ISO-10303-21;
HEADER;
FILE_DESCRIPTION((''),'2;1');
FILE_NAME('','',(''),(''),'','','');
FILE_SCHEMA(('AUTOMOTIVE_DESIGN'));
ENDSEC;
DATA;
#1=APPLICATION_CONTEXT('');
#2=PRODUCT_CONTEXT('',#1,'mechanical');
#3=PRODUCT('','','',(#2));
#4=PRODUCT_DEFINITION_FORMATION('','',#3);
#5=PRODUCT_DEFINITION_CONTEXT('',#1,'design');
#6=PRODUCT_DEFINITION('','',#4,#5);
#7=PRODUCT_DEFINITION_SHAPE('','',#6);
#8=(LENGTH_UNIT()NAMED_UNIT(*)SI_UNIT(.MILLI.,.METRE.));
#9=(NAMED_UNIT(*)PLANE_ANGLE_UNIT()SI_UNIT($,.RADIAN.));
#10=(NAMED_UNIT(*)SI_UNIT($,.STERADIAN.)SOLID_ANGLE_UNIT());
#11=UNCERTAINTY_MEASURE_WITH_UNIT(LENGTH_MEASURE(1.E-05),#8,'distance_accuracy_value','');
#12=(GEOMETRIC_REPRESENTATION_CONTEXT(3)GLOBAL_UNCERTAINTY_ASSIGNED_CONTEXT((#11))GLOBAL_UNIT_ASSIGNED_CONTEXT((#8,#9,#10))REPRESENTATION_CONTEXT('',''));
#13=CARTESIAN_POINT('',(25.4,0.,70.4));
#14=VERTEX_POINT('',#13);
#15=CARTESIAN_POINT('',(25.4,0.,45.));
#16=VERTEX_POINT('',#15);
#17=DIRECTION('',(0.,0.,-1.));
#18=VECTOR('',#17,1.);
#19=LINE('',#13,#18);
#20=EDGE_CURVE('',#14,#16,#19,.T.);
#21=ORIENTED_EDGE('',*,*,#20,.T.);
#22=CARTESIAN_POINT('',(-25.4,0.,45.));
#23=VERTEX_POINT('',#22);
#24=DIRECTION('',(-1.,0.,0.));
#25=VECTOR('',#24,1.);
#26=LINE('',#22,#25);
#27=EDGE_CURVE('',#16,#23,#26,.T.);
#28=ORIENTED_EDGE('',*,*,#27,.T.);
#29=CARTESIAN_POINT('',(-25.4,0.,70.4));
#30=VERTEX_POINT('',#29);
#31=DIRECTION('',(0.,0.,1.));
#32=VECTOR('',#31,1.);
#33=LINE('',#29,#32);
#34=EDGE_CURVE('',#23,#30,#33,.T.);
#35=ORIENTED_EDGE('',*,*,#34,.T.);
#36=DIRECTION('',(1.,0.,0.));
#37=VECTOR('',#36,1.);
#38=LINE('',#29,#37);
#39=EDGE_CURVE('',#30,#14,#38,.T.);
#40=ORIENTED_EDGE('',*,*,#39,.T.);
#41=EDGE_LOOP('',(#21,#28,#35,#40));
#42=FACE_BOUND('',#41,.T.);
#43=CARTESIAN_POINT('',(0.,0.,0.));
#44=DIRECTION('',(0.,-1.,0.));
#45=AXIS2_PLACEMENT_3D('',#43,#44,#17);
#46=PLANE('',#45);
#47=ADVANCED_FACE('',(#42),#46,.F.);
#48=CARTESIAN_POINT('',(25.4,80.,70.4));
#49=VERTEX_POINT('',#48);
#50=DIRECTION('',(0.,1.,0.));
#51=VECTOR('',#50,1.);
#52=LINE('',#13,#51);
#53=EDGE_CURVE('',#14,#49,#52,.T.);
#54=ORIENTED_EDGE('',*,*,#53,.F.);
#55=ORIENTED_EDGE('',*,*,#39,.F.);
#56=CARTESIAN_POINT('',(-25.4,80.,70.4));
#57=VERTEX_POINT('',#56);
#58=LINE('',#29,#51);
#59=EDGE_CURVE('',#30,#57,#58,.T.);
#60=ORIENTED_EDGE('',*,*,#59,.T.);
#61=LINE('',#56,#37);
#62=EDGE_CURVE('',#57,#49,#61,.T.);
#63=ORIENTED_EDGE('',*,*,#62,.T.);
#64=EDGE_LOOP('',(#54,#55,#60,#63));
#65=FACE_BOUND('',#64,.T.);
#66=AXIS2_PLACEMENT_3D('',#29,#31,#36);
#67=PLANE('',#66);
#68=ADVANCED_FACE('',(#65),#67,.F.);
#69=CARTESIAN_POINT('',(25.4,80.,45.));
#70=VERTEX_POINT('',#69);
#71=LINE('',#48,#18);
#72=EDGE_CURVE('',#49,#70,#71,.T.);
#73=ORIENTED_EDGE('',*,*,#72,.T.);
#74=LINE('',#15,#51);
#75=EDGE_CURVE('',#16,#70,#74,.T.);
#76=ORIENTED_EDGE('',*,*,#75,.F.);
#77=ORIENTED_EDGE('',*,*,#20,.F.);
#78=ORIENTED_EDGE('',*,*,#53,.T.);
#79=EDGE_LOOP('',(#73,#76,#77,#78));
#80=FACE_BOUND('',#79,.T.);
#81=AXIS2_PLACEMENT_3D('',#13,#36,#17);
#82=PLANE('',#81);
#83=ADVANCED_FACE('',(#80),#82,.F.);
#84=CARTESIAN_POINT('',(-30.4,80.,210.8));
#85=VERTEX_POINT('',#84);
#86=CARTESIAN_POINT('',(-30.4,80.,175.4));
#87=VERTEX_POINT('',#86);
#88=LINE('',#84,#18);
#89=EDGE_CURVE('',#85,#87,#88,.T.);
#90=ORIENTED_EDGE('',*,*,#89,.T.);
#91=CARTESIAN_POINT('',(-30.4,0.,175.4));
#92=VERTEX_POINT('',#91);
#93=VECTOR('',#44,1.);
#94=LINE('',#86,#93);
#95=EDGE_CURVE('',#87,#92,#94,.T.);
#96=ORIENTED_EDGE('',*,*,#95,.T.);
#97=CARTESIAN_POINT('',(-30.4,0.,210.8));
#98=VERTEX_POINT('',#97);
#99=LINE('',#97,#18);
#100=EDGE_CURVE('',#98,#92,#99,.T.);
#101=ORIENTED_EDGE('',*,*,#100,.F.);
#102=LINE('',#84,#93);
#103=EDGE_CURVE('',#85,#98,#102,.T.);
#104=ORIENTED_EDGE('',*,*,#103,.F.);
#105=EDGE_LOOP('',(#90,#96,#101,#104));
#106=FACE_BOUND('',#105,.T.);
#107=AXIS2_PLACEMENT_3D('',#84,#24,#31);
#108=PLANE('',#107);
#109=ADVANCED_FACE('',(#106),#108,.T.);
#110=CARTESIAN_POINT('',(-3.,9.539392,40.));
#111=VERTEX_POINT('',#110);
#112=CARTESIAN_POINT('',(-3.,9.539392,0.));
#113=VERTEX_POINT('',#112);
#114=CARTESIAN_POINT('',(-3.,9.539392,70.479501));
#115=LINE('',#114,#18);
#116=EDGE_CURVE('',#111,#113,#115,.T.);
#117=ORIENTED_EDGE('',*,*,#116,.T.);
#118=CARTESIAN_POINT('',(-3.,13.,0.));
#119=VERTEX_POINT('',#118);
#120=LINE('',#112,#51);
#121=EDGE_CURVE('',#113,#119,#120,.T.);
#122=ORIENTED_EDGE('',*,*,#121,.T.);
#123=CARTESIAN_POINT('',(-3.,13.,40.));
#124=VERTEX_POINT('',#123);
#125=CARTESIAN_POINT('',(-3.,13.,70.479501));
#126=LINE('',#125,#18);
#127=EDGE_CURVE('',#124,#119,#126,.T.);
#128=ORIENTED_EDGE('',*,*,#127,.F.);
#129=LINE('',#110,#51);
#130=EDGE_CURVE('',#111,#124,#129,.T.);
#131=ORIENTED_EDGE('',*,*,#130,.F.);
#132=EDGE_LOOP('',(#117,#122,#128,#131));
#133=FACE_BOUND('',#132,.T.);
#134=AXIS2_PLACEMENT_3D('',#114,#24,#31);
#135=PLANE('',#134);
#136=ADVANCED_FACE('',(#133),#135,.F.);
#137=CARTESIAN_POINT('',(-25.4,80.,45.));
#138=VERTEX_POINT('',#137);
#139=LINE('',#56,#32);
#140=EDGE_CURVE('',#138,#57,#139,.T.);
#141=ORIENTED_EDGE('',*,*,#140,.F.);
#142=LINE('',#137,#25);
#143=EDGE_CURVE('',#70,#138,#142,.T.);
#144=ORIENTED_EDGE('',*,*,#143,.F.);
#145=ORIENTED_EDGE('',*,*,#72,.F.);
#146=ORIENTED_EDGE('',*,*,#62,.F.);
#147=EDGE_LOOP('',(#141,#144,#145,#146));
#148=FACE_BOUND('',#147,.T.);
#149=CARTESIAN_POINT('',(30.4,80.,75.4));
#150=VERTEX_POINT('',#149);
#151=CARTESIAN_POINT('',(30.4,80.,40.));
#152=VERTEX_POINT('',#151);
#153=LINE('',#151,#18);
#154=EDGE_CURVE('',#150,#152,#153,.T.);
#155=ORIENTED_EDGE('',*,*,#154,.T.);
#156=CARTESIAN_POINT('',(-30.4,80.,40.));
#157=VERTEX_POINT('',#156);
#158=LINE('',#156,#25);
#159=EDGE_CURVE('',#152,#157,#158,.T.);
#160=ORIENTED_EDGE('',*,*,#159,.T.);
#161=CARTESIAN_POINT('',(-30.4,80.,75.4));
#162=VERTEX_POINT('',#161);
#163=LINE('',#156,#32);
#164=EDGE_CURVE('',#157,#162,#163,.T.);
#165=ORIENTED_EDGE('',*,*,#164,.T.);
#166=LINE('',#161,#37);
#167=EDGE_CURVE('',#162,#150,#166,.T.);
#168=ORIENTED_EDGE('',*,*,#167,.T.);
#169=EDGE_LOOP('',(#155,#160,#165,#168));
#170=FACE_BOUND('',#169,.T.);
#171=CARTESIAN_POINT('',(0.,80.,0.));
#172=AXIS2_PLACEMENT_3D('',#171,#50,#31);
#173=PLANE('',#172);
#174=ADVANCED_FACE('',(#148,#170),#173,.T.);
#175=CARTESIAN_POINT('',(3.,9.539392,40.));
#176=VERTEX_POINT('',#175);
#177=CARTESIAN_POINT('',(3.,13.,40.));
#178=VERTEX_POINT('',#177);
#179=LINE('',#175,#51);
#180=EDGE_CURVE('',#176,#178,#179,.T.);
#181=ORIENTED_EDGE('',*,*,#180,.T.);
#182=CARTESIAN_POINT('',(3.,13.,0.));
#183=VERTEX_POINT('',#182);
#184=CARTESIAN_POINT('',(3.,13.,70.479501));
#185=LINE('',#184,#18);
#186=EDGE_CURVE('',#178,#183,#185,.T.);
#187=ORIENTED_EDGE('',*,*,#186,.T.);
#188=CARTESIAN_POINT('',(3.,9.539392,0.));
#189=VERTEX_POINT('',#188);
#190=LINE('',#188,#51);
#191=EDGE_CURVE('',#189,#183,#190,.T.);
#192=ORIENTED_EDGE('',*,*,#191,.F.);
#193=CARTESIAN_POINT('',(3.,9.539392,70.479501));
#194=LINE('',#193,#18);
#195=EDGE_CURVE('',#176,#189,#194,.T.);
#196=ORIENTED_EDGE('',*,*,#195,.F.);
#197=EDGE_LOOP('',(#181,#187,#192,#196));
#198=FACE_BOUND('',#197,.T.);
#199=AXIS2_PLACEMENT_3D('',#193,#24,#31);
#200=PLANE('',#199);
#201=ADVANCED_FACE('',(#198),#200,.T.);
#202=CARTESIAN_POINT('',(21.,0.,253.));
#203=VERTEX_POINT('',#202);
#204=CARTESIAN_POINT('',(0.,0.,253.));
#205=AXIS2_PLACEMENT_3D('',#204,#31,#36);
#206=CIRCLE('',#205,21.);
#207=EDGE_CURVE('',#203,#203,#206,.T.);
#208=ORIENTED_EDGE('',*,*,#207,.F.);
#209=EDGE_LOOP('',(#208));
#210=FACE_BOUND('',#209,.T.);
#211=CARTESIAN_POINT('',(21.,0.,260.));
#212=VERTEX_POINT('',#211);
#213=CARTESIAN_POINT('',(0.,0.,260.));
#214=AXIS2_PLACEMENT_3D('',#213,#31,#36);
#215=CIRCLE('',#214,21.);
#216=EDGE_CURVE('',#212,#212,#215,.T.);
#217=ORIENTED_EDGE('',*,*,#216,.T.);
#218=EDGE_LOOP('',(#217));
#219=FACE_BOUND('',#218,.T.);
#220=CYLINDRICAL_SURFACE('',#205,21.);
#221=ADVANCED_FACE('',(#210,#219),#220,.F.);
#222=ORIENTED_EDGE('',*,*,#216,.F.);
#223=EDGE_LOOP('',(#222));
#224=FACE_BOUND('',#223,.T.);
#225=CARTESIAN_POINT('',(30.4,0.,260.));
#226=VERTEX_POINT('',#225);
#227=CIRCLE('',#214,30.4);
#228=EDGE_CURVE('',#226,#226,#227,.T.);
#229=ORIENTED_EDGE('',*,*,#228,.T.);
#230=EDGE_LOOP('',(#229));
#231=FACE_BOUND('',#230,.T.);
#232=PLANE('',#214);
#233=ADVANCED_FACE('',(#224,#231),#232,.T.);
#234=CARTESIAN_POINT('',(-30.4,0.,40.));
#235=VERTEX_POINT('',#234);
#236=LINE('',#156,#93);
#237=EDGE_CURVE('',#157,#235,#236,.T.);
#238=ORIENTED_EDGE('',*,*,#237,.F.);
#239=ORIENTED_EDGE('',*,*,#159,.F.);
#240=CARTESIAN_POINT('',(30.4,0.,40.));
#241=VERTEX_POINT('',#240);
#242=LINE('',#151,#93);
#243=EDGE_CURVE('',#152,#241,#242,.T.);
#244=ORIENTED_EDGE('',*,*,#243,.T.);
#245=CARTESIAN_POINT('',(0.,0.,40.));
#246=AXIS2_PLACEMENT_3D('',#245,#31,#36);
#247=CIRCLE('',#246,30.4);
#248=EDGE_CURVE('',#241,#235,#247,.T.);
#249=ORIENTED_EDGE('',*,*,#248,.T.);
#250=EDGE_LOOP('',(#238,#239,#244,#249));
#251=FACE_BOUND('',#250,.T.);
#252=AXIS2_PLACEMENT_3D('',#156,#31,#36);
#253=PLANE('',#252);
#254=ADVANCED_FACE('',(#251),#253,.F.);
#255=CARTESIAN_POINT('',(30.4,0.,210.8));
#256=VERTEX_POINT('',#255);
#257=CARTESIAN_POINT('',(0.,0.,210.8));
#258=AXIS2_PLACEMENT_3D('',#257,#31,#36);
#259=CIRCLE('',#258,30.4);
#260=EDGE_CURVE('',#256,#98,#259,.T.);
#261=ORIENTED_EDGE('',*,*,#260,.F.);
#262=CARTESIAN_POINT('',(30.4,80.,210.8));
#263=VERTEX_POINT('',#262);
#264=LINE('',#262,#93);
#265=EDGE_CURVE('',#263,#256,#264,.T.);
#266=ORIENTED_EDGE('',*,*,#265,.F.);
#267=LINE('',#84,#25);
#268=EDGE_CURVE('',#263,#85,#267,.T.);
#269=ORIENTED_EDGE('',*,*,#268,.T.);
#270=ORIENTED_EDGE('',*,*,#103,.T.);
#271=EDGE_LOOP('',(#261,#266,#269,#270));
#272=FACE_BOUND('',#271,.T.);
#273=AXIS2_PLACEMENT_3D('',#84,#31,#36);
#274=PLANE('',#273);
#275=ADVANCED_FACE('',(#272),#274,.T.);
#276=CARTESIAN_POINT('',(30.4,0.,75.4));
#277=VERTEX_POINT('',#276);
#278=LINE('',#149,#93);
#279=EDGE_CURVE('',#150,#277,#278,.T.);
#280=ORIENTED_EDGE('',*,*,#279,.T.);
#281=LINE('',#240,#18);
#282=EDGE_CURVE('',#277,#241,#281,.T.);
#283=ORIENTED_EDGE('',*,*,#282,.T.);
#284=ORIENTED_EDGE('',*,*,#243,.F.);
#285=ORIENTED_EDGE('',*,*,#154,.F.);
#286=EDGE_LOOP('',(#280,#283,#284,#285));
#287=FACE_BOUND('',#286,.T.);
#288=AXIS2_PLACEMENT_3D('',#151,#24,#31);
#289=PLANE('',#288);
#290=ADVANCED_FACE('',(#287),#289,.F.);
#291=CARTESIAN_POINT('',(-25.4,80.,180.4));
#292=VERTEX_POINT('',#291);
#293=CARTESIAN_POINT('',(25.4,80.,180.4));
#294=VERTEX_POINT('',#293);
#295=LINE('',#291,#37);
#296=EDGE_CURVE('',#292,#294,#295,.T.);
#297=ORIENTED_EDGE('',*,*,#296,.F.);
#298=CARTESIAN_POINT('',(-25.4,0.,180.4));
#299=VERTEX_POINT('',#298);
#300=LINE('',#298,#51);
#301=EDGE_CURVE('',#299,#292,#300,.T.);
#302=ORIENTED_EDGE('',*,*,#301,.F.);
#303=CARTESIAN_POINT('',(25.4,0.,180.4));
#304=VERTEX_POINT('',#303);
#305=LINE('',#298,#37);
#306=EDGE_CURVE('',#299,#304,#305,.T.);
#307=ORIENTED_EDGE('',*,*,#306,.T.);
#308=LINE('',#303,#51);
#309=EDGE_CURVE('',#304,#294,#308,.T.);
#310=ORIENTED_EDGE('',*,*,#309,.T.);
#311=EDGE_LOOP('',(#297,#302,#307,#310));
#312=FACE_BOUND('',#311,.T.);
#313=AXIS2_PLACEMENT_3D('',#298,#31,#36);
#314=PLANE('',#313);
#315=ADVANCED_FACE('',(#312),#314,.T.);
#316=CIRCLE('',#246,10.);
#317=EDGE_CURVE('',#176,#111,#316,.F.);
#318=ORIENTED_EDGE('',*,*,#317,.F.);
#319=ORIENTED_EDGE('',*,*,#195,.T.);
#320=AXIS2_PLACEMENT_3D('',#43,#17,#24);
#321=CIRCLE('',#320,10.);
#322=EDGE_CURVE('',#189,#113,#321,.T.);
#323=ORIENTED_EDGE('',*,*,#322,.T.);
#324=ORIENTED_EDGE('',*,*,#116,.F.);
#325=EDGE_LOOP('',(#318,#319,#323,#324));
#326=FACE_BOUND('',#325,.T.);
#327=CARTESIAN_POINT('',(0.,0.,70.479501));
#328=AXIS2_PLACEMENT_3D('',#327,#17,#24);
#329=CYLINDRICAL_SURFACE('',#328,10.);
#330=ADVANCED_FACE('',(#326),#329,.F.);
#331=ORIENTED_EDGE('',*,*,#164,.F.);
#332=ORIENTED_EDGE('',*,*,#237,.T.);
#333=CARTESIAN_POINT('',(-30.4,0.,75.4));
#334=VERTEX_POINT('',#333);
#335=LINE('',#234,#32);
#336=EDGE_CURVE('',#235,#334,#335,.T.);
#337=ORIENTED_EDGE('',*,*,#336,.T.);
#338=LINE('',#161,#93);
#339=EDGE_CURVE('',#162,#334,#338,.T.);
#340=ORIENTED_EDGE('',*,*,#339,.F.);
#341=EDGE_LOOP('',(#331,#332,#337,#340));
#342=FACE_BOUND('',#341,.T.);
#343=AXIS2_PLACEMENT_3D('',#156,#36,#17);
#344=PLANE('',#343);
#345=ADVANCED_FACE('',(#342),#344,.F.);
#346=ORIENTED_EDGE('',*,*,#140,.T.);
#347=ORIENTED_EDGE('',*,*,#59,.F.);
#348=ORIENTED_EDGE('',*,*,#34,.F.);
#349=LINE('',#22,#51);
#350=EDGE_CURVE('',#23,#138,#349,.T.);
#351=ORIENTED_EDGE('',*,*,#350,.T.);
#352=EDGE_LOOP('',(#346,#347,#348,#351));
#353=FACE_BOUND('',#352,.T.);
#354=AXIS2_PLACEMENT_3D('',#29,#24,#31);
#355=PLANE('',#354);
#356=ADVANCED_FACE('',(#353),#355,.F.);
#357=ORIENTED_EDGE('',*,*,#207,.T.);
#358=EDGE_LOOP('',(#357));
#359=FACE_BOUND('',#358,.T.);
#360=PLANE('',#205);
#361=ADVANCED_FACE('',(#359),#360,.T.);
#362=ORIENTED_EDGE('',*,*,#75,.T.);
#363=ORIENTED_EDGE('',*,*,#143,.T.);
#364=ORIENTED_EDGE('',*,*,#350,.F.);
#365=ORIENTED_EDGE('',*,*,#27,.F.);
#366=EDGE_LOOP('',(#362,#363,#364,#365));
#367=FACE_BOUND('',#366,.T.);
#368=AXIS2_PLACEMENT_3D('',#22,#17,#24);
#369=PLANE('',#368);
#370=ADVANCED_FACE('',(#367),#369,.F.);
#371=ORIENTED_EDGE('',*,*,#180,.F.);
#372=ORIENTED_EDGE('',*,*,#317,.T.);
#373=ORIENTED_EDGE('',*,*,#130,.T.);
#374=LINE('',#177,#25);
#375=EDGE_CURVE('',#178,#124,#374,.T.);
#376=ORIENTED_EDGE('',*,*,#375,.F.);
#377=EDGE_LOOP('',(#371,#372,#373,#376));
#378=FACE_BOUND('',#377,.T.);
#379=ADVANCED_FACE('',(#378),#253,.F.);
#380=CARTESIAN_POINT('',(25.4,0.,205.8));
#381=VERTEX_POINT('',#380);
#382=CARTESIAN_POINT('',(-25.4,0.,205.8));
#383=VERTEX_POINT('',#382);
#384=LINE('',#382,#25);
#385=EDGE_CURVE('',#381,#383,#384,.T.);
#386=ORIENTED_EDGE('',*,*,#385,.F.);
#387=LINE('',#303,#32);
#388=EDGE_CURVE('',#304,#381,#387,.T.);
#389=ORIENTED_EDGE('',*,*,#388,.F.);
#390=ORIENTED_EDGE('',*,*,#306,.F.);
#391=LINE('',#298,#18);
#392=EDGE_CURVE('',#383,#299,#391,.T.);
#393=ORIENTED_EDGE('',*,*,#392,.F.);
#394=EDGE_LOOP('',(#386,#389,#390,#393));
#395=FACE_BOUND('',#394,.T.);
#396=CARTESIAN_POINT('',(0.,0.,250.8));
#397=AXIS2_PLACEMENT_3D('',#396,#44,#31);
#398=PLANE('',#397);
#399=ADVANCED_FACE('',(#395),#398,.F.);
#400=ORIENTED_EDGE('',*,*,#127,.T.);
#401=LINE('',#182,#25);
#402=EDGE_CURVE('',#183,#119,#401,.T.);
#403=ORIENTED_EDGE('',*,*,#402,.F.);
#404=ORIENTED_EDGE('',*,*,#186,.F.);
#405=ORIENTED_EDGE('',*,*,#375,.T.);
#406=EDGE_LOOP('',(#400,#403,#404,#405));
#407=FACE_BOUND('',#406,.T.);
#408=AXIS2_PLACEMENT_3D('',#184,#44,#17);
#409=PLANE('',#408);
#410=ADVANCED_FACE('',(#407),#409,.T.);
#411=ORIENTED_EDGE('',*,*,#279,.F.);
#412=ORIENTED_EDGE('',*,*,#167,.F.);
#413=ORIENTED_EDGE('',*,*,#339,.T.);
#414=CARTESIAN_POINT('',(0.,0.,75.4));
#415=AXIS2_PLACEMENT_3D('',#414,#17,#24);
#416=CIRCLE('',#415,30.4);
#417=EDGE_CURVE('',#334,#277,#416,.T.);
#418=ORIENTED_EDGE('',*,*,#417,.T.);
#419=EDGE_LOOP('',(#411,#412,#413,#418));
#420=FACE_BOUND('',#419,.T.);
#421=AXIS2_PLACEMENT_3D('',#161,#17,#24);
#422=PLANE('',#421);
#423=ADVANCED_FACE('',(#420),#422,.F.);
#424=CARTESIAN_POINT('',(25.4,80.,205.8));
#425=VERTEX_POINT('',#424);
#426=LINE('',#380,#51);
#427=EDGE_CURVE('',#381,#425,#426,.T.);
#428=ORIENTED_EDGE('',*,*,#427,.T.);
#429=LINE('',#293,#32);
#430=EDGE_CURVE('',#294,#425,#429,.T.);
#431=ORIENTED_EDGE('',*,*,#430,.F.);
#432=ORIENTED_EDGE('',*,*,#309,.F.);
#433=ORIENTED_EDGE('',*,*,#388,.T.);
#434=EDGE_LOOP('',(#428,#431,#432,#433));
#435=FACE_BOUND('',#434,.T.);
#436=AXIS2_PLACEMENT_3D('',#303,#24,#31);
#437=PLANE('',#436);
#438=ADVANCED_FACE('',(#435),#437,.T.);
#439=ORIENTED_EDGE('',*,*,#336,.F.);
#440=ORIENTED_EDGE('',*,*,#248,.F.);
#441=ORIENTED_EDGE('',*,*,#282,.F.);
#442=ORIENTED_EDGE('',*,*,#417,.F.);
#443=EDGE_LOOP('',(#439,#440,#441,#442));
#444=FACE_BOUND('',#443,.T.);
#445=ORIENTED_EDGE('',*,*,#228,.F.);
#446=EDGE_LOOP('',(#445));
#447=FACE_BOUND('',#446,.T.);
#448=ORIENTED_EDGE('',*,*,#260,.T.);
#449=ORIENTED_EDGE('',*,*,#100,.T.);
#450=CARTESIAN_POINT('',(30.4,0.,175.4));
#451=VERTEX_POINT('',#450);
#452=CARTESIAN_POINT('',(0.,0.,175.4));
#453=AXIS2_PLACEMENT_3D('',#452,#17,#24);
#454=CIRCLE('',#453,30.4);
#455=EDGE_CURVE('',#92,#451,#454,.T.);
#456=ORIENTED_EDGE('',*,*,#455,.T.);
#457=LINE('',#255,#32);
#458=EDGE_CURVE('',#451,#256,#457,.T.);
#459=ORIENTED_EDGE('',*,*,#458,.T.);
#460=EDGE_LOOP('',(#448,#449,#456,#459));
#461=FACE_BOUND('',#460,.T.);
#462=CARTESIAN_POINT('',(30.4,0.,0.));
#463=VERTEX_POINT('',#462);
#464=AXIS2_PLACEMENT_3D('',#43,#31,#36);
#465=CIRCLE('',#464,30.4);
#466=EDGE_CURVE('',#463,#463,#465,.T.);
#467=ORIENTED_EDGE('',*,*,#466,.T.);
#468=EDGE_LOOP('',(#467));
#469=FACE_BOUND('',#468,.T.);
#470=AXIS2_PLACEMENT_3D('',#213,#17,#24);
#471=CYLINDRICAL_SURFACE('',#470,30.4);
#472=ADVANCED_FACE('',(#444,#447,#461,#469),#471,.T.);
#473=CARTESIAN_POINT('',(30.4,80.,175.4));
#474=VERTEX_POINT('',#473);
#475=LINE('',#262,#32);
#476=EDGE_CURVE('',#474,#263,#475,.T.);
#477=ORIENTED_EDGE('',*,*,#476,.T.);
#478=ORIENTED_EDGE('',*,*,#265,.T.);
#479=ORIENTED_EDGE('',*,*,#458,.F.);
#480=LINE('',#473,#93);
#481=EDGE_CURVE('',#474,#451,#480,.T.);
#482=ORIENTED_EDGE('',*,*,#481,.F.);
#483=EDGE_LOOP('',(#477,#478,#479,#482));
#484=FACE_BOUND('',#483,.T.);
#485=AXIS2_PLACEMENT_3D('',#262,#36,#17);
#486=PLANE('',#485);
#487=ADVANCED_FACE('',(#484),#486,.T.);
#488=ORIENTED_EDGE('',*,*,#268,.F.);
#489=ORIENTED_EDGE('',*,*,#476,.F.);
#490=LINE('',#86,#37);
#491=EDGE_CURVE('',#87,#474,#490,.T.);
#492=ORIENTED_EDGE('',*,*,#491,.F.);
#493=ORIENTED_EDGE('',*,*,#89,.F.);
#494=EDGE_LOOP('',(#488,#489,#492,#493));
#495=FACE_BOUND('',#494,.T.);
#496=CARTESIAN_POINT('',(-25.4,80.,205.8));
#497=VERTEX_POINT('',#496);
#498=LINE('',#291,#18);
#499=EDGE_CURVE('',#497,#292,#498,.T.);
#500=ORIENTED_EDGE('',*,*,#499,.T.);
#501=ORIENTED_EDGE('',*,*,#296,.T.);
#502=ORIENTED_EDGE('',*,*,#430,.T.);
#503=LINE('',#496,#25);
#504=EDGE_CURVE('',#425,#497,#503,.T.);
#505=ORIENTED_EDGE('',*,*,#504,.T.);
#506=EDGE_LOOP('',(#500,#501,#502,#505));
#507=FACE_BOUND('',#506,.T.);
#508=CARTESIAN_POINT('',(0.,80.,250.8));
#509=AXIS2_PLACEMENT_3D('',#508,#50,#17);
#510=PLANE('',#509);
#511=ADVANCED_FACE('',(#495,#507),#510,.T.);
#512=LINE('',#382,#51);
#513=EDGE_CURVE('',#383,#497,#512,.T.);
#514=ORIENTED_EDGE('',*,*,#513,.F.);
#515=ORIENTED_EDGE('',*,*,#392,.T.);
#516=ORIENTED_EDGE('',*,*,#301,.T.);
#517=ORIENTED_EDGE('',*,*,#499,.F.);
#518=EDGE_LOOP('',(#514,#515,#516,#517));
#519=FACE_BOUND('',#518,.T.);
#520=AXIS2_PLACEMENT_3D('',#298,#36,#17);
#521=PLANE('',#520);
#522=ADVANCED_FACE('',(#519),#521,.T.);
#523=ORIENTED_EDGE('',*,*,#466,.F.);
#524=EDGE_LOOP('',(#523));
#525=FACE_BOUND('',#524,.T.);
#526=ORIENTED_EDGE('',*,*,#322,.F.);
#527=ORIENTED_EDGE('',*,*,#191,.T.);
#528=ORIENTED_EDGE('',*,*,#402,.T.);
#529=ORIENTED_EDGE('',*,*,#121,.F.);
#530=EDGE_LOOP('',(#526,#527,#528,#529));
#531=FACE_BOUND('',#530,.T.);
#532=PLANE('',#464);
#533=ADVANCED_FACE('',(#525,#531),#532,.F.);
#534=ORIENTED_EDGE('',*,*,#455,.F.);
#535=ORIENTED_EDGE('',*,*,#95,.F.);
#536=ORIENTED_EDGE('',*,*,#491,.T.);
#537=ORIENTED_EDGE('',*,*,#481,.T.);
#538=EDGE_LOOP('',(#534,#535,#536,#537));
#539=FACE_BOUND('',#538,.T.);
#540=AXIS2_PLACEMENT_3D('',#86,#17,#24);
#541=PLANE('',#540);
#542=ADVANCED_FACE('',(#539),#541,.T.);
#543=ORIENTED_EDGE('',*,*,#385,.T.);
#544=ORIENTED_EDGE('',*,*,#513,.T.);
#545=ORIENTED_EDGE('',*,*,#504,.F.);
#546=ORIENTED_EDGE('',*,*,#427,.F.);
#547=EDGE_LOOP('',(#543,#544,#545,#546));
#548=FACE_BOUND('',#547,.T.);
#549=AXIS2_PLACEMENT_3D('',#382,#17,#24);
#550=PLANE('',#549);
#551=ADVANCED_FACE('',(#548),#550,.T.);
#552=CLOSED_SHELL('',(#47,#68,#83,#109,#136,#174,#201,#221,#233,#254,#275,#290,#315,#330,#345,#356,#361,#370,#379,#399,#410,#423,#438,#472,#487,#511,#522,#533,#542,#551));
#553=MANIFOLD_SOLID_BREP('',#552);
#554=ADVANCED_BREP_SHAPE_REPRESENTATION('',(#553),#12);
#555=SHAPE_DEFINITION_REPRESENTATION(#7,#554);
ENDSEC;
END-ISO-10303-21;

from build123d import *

# Parameters (mm, degrees)
SKETCH1_R           = 30.4
BOSS_EXTRUDE1_DEPTH = 260
SKETCH2_W           = 60.8
SKETCH2_H           = 35.4
BOSS_EXTRUDE2_DEPTH = 80
SKETCH3_W           = 50.8
SKETCH3_H           = 25.4
CUT_EXTRUDE1_DEPTH  = 80
CUT_EXTRUDE2_DEPTH  = 40
SKETCH5_R           = 21
CUT_EXTRUDE3_DEPTH  = 7


with BuildPart() as part:
    # Sketch1 → Boss-Extrude1 (new body)
    with BuildSketch(Plane.XY):
        Circle(SKETCH1_R)
    extrude(amount=BOSS_EXTRUDE1_DEPTH)

    # Sketch2 → Boss-Extrude2 (add)
    with BuildSketch(Plane(origin=(0, 0, 0), x_dir=(1, 0, 0), z_dir=(0, 1, 0))):
        with Locations((0, -57.7)):
            Rectangle(SKETCH2_W, SKETCH2_H)
    boss_extrude2 = extrude(amount=BOSS_EXTRUDE2_DEPTH)

    # Sketch3 → Cut-Extrude1 (cut)
    with BuildSketch(Plane(origin=(0, 80, 0), x_dir=(1, 0, 0), z_dir=(0, 1, 0))):
        with Locations((0, -57.7)):
            Rectangle(SKETCH3_W, SKETCH3_H)
    cut_extrude1 = extrude(amount=-CUT_EXTRUDE1_DEPTH, mode=Mode.SUBTRACT)

    # Mirror2: Boss-Extrude2, Cut-Extrude1 across plane
    add(boss_extrude2.mirror(Plane.XY.offset(125.4)))
    add(cut_extrude1.mirror(Plane.XY.offset(125.4)), mode=Mode.SUBTRACT)

    # Sketch4 → Cut-Extrude2 (cut)
    with BuildSketch(Plane(origin=(0, 0, 0), x_dir=(-1, 0, 0), z_dir=(0, 0, -1))):
        with BuildLine():
            Line((-3, 9.539392014), (-3, 13))
            Line((-3, 13), (3, 13))
            Line((3, 13), (3, 9.539392014))
            ThreePointArc((3, 9.539392014), (0, -10), (-3, 9.539392014))
        make_face()
    extrude(amount=-CUT_EXTRUDE2_DEPTH, mode=Mode.SUBTRACT)

    # Sketch5 → Cut-Extrude3 (cut)
    with BuildSketch(Plane.XY.offset(260)):
        Circle(SKETCH5_R)
    extrude(amount=-CUT_EXTRUDE3_DEPTH, mode=Mode.SUBTRACT)


solid = part.part
